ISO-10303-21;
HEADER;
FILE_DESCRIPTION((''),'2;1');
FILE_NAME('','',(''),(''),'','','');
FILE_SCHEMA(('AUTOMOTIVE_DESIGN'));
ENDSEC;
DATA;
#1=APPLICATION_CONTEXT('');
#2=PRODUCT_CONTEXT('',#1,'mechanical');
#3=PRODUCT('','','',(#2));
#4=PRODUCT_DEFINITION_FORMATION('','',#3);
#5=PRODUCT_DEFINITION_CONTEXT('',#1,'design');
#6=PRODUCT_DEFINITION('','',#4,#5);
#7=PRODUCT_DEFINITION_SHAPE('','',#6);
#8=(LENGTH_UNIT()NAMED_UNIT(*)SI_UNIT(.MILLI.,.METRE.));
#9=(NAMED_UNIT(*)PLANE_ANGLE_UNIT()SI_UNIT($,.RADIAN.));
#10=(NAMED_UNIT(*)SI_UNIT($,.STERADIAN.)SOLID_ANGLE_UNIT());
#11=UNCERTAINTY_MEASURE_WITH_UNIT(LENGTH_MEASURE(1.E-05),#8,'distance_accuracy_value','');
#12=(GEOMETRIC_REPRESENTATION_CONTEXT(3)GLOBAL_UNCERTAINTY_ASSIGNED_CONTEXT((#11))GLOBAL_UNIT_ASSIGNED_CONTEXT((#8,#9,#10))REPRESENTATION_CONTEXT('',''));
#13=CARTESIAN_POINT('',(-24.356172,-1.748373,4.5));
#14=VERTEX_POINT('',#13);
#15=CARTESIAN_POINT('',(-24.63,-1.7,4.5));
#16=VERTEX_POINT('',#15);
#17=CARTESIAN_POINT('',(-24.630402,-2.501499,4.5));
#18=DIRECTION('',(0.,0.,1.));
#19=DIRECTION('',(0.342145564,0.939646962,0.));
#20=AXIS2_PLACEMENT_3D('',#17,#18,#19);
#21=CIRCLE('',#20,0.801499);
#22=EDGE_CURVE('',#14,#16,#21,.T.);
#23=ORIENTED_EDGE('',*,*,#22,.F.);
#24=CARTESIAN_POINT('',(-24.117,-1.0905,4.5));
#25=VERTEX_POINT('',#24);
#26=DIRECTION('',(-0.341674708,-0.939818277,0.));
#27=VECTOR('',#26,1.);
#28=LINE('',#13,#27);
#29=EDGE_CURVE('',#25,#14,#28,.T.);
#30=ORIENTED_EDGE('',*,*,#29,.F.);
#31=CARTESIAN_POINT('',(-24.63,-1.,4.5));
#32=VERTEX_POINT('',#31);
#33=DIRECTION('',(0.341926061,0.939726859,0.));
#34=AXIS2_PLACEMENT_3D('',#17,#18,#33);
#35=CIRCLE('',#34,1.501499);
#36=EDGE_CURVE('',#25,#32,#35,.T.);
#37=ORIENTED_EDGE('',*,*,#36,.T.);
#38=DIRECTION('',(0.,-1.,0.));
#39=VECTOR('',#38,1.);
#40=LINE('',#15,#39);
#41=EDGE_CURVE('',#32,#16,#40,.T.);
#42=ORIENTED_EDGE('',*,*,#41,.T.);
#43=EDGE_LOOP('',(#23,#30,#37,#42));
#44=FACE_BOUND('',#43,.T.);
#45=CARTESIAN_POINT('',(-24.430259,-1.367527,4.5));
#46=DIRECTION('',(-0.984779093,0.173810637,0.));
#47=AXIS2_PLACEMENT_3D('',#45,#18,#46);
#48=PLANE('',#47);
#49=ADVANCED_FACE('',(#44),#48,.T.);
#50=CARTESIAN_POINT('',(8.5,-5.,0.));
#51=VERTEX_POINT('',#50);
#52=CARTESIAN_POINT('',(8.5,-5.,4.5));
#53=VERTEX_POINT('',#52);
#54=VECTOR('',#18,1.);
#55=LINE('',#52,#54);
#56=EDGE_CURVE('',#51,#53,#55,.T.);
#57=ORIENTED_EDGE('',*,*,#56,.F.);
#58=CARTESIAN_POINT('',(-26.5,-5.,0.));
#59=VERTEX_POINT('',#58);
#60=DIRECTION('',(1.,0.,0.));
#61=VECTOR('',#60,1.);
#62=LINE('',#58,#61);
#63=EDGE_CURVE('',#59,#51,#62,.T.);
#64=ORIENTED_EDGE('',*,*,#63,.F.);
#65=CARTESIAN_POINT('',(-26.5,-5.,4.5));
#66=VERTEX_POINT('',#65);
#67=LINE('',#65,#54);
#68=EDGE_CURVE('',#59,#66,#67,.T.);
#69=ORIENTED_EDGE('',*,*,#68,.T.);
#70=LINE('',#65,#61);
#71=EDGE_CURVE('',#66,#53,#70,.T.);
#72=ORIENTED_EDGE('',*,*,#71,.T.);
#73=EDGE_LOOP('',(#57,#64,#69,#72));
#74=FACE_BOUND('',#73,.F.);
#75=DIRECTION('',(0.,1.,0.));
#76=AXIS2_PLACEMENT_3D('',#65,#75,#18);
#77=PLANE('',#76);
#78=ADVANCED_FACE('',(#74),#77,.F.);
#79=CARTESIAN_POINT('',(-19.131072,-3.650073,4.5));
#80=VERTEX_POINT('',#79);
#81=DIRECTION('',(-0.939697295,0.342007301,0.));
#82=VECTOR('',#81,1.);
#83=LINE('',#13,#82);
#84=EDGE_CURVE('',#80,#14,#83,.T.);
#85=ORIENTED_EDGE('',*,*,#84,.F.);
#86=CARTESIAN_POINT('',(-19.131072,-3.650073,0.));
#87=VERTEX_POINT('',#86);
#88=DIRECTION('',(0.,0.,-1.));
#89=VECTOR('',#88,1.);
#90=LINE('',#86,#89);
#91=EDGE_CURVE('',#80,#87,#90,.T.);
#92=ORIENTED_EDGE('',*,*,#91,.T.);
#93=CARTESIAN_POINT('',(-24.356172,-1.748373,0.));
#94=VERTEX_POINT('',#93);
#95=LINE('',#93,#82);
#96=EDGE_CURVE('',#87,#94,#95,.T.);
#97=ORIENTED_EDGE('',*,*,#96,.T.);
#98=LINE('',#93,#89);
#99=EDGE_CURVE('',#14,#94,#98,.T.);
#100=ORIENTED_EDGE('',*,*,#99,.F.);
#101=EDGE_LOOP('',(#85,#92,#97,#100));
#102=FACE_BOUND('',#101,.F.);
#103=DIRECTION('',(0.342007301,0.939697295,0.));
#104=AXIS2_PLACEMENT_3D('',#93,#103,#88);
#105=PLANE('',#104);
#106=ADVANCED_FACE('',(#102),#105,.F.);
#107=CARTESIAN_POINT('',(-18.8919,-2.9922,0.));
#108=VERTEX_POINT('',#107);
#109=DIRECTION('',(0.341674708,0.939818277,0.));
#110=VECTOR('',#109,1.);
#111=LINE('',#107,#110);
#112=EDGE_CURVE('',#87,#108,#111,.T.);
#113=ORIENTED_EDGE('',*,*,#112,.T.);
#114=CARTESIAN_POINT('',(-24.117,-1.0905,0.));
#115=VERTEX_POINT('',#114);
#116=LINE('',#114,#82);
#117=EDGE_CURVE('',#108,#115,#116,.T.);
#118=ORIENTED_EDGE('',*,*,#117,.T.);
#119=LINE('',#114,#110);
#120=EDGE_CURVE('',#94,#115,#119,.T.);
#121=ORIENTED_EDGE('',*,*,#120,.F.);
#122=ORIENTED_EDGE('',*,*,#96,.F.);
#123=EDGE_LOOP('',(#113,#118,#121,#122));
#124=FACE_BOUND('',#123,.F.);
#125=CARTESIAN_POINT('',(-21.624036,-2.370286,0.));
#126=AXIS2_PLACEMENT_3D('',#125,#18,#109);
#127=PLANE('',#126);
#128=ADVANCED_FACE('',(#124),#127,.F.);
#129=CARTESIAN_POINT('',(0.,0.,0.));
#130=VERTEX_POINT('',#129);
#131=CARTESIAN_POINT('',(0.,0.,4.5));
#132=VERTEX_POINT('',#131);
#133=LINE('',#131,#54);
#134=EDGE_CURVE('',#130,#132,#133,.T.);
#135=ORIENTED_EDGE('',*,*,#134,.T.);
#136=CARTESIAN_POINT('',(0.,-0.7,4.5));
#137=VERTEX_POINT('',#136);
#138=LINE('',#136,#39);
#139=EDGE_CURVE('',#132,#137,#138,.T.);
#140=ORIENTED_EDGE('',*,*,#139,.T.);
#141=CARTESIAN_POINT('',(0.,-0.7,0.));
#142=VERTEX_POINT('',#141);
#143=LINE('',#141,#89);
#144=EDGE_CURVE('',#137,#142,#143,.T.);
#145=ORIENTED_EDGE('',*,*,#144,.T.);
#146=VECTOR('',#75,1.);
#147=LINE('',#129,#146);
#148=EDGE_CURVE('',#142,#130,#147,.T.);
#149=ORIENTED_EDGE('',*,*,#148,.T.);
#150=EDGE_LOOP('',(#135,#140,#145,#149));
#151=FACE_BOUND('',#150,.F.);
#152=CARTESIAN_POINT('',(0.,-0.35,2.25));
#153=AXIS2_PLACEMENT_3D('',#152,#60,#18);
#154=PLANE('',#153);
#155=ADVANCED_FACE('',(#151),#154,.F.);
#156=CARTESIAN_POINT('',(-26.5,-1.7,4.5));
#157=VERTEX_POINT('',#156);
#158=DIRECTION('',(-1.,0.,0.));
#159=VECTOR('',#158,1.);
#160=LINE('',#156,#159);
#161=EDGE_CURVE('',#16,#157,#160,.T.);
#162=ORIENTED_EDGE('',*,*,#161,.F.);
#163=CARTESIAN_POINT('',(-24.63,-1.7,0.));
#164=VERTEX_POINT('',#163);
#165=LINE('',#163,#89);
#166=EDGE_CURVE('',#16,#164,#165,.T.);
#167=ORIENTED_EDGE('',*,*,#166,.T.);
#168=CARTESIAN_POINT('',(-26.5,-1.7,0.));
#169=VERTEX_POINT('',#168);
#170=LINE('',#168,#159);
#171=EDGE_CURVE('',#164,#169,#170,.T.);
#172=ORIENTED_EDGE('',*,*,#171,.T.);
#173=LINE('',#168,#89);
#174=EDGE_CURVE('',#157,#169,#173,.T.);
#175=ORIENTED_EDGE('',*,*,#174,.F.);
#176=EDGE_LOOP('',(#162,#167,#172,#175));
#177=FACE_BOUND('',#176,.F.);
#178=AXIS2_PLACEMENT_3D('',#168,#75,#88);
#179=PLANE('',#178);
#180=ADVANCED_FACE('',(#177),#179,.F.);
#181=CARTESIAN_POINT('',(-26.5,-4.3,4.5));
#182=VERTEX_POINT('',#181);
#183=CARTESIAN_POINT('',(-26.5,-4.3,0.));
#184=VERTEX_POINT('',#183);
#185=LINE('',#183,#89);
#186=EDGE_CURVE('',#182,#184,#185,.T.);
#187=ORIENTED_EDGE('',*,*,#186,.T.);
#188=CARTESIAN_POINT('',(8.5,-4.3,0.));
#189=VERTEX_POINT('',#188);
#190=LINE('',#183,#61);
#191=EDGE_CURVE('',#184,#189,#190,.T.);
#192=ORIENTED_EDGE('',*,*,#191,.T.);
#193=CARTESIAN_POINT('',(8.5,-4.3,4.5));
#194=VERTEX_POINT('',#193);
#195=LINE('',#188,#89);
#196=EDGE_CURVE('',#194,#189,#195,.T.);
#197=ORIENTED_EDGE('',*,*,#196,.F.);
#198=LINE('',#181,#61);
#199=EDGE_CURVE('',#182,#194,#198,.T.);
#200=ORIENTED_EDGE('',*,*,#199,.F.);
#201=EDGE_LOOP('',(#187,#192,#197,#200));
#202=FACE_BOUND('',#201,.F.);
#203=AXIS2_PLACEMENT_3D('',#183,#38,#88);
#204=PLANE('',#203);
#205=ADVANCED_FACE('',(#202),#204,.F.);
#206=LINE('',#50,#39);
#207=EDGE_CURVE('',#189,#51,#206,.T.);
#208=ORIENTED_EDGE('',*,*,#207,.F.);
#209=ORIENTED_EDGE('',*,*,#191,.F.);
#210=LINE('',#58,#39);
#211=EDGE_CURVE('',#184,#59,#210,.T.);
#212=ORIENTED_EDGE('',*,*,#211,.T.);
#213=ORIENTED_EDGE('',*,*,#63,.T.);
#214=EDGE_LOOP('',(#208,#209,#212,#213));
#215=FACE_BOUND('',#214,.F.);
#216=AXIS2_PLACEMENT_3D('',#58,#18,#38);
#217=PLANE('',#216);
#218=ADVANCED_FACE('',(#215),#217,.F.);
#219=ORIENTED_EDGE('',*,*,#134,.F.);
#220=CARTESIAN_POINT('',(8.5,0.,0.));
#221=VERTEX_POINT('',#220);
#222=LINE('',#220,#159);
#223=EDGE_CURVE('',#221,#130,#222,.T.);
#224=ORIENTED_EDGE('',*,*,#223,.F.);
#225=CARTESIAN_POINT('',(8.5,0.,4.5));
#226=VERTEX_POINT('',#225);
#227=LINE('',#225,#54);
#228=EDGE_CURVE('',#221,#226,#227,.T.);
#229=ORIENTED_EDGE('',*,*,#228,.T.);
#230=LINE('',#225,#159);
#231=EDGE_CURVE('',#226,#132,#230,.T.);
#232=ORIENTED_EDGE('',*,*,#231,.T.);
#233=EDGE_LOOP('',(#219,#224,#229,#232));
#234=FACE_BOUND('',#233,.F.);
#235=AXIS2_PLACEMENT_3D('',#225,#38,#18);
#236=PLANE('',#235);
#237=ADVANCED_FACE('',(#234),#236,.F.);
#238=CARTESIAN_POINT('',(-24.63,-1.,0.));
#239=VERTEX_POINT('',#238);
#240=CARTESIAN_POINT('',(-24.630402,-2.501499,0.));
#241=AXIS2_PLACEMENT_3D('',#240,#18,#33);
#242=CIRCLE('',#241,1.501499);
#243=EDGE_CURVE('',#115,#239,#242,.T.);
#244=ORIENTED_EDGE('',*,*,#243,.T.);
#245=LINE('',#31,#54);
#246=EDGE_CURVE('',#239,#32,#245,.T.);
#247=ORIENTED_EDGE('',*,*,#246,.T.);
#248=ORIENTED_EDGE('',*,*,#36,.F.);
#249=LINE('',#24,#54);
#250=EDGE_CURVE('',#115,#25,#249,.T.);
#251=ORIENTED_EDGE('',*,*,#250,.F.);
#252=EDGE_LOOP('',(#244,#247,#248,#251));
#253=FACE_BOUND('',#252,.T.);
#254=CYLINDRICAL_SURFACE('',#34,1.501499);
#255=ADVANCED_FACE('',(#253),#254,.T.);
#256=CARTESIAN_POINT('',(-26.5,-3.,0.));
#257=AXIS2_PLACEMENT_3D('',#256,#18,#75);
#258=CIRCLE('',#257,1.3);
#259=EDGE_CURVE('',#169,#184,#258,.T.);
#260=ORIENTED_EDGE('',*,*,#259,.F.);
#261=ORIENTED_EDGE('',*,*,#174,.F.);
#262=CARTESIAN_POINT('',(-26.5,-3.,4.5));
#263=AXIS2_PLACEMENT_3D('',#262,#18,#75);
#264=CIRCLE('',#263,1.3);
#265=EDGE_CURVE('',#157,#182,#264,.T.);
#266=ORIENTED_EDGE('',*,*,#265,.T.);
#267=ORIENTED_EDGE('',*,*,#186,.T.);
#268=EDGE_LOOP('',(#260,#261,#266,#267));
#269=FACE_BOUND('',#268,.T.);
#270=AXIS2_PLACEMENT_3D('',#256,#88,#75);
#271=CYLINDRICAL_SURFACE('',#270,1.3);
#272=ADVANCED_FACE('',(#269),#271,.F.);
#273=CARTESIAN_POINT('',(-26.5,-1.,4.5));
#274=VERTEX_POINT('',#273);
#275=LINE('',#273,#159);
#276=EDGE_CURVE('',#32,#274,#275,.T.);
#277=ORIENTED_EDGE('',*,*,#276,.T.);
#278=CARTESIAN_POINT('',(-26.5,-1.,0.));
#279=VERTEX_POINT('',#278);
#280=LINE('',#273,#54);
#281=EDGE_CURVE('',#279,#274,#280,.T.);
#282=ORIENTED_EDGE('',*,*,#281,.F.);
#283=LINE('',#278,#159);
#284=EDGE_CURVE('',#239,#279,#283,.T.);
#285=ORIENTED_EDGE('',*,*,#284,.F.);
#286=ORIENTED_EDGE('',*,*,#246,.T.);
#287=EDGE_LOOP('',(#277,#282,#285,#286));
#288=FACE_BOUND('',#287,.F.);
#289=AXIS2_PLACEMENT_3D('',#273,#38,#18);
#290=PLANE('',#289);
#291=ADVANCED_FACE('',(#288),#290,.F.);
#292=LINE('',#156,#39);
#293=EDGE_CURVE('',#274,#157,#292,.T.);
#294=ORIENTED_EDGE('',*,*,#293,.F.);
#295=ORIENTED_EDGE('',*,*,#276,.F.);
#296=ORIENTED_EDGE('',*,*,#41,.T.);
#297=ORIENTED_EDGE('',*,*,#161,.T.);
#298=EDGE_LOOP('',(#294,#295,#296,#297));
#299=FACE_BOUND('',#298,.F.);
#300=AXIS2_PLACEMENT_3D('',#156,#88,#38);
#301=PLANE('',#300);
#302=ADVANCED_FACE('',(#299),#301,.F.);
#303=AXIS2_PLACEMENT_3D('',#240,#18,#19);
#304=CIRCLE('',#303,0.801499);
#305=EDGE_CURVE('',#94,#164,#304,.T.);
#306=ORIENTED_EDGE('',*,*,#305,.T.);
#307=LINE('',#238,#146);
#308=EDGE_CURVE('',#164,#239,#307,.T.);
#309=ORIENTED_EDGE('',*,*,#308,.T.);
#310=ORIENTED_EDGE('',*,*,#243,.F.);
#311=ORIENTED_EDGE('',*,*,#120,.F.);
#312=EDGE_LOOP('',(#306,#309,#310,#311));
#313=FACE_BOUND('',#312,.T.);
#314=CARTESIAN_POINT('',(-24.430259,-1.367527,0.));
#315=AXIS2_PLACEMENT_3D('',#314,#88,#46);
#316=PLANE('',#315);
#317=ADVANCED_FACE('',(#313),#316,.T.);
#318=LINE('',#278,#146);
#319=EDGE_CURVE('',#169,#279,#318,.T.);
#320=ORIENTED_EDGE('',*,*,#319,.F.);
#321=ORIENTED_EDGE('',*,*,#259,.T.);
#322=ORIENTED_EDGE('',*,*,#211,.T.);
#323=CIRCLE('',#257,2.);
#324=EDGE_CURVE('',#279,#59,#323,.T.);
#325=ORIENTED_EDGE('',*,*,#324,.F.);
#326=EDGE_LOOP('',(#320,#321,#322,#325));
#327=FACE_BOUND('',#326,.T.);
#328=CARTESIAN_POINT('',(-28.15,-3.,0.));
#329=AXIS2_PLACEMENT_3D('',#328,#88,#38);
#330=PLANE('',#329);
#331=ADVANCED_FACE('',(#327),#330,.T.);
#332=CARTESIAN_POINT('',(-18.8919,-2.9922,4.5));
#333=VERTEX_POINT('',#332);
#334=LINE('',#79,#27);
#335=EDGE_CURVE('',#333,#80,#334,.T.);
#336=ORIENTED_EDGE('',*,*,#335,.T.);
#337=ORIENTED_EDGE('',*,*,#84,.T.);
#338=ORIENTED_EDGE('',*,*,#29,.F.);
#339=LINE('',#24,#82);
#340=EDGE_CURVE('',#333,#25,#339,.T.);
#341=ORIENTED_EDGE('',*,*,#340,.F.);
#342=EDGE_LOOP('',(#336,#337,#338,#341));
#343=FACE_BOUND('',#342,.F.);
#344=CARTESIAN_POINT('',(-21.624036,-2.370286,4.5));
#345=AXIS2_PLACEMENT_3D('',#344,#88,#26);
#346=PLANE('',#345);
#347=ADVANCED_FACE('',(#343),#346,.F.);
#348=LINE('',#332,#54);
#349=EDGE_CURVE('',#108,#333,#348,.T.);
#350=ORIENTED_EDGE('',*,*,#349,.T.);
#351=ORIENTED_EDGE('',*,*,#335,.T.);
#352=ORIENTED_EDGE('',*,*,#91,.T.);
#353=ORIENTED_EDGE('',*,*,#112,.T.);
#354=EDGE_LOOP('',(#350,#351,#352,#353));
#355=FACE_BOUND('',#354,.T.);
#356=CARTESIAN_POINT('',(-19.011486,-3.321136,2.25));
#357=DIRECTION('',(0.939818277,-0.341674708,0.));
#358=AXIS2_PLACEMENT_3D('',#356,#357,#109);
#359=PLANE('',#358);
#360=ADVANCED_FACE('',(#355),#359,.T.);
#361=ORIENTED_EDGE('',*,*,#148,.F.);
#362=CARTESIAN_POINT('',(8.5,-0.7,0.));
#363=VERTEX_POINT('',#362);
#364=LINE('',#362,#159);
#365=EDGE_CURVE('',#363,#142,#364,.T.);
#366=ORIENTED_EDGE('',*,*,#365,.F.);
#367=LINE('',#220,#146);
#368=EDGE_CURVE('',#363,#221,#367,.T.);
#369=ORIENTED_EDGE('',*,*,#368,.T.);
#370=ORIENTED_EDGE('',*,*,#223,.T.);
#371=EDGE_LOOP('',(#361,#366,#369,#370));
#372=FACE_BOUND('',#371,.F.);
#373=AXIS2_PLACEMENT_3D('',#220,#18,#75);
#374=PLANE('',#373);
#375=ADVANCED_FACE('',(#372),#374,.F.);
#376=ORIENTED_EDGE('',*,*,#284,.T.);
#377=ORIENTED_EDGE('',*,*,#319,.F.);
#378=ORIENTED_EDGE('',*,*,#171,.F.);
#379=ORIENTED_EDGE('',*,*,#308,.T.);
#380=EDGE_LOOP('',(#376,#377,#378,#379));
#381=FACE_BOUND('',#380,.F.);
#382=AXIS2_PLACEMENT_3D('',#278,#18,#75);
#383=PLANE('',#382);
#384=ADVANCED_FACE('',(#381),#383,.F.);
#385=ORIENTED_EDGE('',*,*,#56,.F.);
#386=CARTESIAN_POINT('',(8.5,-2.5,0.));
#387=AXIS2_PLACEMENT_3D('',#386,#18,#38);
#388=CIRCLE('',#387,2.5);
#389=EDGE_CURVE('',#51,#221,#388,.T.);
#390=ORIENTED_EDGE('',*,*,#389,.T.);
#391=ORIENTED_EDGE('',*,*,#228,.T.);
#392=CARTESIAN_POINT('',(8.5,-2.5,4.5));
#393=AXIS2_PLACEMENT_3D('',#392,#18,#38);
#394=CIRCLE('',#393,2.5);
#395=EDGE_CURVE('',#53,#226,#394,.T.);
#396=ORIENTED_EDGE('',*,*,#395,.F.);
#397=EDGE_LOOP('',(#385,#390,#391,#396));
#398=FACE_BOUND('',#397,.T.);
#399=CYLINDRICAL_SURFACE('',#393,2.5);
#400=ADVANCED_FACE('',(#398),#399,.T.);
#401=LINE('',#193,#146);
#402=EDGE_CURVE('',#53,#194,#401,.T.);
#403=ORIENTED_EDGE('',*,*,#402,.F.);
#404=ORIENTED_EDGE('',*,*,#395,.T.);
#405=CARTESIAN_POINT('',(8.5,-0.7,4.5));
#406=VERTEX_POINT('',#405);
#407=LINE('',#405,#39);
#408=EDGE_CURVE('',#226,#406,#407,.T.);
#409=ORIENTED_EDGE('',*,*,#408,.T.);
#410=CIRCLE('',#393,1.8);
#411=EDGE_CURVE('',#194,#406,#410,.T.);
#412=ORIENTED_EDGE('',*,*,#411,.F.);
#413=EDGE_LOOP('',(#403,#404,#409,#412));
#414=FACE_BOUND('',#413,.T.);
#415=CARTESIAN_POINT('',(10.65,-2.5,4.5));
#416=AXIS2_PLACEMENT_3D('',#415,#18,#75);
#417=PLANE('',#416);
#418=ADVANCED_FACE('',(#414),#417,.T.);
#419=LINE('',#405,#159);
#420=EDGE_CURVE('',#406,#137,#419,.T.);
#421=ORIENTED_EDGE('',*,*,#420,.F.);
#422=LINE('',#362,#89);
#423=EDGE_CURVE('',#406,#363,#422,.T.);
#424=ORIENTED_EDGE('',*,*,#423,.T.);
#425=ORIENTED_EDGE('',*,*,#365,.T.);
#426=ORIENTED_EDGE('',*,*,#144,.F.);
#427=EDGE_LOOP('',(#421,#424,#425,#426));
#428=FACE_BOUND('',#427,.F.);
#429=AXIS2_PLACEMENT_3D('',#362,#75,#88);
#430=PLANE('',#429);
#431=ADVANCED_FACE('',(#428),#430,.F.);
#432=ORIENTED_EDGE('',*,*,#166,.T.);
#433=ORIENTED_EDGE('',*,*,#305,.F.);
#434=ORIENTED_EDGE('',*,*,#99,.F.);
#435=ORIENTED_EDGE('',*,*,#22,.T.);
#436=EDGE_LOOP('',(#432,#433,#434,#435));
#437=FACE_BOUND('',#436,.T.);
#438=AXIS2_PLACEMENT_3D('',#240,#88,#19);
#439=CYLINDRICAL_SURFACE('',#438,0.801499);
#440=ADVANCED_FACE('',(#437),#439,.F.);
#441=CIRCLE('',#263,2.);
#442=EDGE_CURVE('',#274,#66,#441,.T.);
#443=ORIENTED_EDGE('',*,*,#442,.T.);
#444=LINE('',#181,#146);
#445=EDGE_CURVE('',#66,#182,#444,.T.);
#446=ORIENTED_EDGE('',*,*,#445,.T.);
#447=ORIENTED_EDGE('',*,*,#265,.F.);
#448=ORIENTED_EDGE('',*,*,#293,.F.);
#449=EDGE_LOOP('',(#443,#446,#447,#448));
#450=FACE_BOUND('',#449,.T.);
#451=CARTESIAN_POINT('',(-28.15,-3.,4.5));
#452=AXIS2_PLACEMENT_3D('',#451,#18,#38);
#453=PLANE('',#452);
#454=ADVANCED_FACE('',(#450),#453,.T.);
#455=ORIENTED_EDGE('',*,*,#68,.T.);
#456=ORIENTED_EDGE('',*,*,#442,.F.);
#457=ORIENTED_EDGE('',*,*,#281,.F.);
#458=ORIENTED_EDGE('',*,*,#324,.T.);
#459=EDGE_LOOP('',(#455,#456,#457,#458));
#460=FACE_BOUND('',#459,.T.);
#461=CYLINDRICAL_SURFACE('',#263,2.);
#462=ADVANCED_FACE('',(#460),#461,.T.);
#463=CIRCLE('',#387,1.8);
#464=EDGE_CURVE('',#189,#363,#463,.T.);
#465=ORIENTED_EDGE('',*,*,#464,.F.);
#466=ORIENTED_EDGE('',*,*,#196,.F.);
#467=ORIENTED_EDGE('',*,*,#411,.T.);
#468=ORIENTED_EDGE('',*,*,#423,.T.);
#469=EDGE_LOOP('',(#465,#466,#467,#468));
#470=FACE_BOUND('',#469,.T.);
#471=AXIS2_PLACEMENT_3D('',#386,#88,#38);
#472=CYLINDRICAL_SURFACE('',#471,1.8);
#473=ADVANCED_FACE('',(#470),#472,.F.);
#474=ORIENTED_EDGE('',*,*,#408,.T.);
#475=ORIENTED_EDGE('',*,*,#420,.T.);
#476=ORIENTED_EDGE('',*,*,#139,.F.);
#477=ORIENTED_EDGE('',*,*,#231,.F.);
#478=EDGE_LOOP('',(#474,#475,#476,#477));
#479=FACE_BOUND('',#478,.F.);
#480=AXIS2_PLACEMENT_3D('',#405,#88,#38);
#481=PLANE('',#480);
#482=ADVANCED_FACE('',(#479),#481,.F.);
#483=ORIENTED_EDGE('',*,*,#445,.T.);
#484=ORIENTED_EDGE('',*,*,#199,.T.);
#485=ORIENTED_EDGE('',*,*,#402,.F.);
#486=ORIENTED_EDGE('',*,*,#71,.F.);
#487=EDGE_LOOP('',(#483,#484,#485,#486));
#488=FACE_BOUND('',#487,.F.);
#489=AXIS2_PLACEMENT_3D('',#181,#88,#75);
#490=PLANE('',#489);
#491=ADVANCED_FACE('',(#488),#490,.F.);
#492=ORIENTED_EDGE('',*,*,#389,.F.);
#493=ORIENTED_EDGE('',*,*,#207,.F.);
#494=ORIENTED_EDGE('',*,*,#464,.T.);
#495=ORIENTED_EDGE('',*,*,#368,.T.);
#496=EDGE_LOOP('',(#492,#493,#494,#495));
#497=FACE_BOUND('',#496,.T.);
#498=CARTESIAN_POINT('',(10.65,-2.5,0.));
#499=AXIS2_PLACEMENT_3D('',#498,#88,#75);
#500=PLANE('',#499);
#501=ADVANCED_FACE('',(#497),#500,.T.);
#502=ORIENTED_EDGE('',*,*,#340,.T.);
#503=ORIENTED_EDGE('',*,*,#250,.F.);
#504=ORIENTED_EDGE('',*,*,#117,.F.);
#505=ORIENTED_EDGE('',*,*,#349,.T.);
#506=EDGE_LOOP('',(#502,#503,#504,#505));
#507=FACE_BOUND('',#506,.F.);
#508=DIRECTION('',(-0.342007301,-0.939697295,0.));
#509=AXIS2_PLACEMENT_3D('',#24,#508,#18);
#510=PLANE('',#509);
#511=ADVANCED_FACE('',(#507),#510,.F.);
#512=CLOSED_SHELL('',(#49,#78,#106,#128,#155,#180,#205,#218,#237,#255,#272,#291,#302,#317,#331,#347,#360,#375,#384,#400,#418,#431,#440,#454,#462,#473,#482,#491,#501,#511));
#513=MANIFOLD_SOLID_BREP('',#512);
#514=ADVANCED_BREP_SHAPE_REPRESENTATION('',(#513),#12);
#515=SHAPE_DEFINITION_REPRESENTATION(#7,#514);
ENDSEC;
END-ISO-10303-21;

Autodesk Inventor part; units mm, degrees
ref_plane "YZ Plane" through (0, 0, 0) normal (1, 0, 0) x (0, 1, 0)
ref_plane "XZ Plane" through (0, 0, 0) normal (0, 1, 0) x (-1, 0, 0)
ref_plane "XY Plane" through (0, 0, 0) normal (0, 0, 1) x (1, 0, 0)
sketch "Sketch1" plane through (0, 0, 0) normal (0, 0, 1) x (1, 0, 0)
  line L0 (-26.5, -5) -> (8.5, -5)
  arc A0 (8.5, -5) -> (8.5, 0) centre (8.5, -2.5) ccw
  line L1 (8.5, 0) -> (0, 0)
  arc A1 (-26.5, -1) -> (-26.5, -5) centre (-26.5, -3) ccw
  line L2 (-26.5, -1) -> (-24.63, -1)
  line L3 (-24.117, -1.0905) -> (-18.8919, -2.9922)
  arc A2 (-24.117, -1.0905) -> (-24.63, -1) centre (-24.63, -2.5) ccw
  line L4 (-18.8919, -2.9922) -> (-19.1314, -3.65) construction
  dimension "d0" = 35
  dimension "d1" = 2.5
  dimension "d2" = 8.5
  dimension "d3" = 1.5
  dimension "d5" = 20
  dimension "d6" = 1.87
  dimension "d7" = 2
  dimension "d8" = 0.7
  dimension "d9" = 1.35
sketch "Sketch2" plane through (0, 0, 0) normal (1, 0, 0) x (0, 1, 0)
  line L0 (0, 0) -> (-0.7, 0)
  line L1 (-0.7, 0) -> (-0.7, 4.5)
  line L2 (-0.7, 4.5) -> (0, 4.5)
  line L3 (0, 4.5) -> (0, 0)
  dimension "d10" = 0.7
  dimension "d11" = 4.5
sweep "Sweep1" add profiles "Sketch2" path "Sketch1"
properties part number "PP-13" material "Steel"
